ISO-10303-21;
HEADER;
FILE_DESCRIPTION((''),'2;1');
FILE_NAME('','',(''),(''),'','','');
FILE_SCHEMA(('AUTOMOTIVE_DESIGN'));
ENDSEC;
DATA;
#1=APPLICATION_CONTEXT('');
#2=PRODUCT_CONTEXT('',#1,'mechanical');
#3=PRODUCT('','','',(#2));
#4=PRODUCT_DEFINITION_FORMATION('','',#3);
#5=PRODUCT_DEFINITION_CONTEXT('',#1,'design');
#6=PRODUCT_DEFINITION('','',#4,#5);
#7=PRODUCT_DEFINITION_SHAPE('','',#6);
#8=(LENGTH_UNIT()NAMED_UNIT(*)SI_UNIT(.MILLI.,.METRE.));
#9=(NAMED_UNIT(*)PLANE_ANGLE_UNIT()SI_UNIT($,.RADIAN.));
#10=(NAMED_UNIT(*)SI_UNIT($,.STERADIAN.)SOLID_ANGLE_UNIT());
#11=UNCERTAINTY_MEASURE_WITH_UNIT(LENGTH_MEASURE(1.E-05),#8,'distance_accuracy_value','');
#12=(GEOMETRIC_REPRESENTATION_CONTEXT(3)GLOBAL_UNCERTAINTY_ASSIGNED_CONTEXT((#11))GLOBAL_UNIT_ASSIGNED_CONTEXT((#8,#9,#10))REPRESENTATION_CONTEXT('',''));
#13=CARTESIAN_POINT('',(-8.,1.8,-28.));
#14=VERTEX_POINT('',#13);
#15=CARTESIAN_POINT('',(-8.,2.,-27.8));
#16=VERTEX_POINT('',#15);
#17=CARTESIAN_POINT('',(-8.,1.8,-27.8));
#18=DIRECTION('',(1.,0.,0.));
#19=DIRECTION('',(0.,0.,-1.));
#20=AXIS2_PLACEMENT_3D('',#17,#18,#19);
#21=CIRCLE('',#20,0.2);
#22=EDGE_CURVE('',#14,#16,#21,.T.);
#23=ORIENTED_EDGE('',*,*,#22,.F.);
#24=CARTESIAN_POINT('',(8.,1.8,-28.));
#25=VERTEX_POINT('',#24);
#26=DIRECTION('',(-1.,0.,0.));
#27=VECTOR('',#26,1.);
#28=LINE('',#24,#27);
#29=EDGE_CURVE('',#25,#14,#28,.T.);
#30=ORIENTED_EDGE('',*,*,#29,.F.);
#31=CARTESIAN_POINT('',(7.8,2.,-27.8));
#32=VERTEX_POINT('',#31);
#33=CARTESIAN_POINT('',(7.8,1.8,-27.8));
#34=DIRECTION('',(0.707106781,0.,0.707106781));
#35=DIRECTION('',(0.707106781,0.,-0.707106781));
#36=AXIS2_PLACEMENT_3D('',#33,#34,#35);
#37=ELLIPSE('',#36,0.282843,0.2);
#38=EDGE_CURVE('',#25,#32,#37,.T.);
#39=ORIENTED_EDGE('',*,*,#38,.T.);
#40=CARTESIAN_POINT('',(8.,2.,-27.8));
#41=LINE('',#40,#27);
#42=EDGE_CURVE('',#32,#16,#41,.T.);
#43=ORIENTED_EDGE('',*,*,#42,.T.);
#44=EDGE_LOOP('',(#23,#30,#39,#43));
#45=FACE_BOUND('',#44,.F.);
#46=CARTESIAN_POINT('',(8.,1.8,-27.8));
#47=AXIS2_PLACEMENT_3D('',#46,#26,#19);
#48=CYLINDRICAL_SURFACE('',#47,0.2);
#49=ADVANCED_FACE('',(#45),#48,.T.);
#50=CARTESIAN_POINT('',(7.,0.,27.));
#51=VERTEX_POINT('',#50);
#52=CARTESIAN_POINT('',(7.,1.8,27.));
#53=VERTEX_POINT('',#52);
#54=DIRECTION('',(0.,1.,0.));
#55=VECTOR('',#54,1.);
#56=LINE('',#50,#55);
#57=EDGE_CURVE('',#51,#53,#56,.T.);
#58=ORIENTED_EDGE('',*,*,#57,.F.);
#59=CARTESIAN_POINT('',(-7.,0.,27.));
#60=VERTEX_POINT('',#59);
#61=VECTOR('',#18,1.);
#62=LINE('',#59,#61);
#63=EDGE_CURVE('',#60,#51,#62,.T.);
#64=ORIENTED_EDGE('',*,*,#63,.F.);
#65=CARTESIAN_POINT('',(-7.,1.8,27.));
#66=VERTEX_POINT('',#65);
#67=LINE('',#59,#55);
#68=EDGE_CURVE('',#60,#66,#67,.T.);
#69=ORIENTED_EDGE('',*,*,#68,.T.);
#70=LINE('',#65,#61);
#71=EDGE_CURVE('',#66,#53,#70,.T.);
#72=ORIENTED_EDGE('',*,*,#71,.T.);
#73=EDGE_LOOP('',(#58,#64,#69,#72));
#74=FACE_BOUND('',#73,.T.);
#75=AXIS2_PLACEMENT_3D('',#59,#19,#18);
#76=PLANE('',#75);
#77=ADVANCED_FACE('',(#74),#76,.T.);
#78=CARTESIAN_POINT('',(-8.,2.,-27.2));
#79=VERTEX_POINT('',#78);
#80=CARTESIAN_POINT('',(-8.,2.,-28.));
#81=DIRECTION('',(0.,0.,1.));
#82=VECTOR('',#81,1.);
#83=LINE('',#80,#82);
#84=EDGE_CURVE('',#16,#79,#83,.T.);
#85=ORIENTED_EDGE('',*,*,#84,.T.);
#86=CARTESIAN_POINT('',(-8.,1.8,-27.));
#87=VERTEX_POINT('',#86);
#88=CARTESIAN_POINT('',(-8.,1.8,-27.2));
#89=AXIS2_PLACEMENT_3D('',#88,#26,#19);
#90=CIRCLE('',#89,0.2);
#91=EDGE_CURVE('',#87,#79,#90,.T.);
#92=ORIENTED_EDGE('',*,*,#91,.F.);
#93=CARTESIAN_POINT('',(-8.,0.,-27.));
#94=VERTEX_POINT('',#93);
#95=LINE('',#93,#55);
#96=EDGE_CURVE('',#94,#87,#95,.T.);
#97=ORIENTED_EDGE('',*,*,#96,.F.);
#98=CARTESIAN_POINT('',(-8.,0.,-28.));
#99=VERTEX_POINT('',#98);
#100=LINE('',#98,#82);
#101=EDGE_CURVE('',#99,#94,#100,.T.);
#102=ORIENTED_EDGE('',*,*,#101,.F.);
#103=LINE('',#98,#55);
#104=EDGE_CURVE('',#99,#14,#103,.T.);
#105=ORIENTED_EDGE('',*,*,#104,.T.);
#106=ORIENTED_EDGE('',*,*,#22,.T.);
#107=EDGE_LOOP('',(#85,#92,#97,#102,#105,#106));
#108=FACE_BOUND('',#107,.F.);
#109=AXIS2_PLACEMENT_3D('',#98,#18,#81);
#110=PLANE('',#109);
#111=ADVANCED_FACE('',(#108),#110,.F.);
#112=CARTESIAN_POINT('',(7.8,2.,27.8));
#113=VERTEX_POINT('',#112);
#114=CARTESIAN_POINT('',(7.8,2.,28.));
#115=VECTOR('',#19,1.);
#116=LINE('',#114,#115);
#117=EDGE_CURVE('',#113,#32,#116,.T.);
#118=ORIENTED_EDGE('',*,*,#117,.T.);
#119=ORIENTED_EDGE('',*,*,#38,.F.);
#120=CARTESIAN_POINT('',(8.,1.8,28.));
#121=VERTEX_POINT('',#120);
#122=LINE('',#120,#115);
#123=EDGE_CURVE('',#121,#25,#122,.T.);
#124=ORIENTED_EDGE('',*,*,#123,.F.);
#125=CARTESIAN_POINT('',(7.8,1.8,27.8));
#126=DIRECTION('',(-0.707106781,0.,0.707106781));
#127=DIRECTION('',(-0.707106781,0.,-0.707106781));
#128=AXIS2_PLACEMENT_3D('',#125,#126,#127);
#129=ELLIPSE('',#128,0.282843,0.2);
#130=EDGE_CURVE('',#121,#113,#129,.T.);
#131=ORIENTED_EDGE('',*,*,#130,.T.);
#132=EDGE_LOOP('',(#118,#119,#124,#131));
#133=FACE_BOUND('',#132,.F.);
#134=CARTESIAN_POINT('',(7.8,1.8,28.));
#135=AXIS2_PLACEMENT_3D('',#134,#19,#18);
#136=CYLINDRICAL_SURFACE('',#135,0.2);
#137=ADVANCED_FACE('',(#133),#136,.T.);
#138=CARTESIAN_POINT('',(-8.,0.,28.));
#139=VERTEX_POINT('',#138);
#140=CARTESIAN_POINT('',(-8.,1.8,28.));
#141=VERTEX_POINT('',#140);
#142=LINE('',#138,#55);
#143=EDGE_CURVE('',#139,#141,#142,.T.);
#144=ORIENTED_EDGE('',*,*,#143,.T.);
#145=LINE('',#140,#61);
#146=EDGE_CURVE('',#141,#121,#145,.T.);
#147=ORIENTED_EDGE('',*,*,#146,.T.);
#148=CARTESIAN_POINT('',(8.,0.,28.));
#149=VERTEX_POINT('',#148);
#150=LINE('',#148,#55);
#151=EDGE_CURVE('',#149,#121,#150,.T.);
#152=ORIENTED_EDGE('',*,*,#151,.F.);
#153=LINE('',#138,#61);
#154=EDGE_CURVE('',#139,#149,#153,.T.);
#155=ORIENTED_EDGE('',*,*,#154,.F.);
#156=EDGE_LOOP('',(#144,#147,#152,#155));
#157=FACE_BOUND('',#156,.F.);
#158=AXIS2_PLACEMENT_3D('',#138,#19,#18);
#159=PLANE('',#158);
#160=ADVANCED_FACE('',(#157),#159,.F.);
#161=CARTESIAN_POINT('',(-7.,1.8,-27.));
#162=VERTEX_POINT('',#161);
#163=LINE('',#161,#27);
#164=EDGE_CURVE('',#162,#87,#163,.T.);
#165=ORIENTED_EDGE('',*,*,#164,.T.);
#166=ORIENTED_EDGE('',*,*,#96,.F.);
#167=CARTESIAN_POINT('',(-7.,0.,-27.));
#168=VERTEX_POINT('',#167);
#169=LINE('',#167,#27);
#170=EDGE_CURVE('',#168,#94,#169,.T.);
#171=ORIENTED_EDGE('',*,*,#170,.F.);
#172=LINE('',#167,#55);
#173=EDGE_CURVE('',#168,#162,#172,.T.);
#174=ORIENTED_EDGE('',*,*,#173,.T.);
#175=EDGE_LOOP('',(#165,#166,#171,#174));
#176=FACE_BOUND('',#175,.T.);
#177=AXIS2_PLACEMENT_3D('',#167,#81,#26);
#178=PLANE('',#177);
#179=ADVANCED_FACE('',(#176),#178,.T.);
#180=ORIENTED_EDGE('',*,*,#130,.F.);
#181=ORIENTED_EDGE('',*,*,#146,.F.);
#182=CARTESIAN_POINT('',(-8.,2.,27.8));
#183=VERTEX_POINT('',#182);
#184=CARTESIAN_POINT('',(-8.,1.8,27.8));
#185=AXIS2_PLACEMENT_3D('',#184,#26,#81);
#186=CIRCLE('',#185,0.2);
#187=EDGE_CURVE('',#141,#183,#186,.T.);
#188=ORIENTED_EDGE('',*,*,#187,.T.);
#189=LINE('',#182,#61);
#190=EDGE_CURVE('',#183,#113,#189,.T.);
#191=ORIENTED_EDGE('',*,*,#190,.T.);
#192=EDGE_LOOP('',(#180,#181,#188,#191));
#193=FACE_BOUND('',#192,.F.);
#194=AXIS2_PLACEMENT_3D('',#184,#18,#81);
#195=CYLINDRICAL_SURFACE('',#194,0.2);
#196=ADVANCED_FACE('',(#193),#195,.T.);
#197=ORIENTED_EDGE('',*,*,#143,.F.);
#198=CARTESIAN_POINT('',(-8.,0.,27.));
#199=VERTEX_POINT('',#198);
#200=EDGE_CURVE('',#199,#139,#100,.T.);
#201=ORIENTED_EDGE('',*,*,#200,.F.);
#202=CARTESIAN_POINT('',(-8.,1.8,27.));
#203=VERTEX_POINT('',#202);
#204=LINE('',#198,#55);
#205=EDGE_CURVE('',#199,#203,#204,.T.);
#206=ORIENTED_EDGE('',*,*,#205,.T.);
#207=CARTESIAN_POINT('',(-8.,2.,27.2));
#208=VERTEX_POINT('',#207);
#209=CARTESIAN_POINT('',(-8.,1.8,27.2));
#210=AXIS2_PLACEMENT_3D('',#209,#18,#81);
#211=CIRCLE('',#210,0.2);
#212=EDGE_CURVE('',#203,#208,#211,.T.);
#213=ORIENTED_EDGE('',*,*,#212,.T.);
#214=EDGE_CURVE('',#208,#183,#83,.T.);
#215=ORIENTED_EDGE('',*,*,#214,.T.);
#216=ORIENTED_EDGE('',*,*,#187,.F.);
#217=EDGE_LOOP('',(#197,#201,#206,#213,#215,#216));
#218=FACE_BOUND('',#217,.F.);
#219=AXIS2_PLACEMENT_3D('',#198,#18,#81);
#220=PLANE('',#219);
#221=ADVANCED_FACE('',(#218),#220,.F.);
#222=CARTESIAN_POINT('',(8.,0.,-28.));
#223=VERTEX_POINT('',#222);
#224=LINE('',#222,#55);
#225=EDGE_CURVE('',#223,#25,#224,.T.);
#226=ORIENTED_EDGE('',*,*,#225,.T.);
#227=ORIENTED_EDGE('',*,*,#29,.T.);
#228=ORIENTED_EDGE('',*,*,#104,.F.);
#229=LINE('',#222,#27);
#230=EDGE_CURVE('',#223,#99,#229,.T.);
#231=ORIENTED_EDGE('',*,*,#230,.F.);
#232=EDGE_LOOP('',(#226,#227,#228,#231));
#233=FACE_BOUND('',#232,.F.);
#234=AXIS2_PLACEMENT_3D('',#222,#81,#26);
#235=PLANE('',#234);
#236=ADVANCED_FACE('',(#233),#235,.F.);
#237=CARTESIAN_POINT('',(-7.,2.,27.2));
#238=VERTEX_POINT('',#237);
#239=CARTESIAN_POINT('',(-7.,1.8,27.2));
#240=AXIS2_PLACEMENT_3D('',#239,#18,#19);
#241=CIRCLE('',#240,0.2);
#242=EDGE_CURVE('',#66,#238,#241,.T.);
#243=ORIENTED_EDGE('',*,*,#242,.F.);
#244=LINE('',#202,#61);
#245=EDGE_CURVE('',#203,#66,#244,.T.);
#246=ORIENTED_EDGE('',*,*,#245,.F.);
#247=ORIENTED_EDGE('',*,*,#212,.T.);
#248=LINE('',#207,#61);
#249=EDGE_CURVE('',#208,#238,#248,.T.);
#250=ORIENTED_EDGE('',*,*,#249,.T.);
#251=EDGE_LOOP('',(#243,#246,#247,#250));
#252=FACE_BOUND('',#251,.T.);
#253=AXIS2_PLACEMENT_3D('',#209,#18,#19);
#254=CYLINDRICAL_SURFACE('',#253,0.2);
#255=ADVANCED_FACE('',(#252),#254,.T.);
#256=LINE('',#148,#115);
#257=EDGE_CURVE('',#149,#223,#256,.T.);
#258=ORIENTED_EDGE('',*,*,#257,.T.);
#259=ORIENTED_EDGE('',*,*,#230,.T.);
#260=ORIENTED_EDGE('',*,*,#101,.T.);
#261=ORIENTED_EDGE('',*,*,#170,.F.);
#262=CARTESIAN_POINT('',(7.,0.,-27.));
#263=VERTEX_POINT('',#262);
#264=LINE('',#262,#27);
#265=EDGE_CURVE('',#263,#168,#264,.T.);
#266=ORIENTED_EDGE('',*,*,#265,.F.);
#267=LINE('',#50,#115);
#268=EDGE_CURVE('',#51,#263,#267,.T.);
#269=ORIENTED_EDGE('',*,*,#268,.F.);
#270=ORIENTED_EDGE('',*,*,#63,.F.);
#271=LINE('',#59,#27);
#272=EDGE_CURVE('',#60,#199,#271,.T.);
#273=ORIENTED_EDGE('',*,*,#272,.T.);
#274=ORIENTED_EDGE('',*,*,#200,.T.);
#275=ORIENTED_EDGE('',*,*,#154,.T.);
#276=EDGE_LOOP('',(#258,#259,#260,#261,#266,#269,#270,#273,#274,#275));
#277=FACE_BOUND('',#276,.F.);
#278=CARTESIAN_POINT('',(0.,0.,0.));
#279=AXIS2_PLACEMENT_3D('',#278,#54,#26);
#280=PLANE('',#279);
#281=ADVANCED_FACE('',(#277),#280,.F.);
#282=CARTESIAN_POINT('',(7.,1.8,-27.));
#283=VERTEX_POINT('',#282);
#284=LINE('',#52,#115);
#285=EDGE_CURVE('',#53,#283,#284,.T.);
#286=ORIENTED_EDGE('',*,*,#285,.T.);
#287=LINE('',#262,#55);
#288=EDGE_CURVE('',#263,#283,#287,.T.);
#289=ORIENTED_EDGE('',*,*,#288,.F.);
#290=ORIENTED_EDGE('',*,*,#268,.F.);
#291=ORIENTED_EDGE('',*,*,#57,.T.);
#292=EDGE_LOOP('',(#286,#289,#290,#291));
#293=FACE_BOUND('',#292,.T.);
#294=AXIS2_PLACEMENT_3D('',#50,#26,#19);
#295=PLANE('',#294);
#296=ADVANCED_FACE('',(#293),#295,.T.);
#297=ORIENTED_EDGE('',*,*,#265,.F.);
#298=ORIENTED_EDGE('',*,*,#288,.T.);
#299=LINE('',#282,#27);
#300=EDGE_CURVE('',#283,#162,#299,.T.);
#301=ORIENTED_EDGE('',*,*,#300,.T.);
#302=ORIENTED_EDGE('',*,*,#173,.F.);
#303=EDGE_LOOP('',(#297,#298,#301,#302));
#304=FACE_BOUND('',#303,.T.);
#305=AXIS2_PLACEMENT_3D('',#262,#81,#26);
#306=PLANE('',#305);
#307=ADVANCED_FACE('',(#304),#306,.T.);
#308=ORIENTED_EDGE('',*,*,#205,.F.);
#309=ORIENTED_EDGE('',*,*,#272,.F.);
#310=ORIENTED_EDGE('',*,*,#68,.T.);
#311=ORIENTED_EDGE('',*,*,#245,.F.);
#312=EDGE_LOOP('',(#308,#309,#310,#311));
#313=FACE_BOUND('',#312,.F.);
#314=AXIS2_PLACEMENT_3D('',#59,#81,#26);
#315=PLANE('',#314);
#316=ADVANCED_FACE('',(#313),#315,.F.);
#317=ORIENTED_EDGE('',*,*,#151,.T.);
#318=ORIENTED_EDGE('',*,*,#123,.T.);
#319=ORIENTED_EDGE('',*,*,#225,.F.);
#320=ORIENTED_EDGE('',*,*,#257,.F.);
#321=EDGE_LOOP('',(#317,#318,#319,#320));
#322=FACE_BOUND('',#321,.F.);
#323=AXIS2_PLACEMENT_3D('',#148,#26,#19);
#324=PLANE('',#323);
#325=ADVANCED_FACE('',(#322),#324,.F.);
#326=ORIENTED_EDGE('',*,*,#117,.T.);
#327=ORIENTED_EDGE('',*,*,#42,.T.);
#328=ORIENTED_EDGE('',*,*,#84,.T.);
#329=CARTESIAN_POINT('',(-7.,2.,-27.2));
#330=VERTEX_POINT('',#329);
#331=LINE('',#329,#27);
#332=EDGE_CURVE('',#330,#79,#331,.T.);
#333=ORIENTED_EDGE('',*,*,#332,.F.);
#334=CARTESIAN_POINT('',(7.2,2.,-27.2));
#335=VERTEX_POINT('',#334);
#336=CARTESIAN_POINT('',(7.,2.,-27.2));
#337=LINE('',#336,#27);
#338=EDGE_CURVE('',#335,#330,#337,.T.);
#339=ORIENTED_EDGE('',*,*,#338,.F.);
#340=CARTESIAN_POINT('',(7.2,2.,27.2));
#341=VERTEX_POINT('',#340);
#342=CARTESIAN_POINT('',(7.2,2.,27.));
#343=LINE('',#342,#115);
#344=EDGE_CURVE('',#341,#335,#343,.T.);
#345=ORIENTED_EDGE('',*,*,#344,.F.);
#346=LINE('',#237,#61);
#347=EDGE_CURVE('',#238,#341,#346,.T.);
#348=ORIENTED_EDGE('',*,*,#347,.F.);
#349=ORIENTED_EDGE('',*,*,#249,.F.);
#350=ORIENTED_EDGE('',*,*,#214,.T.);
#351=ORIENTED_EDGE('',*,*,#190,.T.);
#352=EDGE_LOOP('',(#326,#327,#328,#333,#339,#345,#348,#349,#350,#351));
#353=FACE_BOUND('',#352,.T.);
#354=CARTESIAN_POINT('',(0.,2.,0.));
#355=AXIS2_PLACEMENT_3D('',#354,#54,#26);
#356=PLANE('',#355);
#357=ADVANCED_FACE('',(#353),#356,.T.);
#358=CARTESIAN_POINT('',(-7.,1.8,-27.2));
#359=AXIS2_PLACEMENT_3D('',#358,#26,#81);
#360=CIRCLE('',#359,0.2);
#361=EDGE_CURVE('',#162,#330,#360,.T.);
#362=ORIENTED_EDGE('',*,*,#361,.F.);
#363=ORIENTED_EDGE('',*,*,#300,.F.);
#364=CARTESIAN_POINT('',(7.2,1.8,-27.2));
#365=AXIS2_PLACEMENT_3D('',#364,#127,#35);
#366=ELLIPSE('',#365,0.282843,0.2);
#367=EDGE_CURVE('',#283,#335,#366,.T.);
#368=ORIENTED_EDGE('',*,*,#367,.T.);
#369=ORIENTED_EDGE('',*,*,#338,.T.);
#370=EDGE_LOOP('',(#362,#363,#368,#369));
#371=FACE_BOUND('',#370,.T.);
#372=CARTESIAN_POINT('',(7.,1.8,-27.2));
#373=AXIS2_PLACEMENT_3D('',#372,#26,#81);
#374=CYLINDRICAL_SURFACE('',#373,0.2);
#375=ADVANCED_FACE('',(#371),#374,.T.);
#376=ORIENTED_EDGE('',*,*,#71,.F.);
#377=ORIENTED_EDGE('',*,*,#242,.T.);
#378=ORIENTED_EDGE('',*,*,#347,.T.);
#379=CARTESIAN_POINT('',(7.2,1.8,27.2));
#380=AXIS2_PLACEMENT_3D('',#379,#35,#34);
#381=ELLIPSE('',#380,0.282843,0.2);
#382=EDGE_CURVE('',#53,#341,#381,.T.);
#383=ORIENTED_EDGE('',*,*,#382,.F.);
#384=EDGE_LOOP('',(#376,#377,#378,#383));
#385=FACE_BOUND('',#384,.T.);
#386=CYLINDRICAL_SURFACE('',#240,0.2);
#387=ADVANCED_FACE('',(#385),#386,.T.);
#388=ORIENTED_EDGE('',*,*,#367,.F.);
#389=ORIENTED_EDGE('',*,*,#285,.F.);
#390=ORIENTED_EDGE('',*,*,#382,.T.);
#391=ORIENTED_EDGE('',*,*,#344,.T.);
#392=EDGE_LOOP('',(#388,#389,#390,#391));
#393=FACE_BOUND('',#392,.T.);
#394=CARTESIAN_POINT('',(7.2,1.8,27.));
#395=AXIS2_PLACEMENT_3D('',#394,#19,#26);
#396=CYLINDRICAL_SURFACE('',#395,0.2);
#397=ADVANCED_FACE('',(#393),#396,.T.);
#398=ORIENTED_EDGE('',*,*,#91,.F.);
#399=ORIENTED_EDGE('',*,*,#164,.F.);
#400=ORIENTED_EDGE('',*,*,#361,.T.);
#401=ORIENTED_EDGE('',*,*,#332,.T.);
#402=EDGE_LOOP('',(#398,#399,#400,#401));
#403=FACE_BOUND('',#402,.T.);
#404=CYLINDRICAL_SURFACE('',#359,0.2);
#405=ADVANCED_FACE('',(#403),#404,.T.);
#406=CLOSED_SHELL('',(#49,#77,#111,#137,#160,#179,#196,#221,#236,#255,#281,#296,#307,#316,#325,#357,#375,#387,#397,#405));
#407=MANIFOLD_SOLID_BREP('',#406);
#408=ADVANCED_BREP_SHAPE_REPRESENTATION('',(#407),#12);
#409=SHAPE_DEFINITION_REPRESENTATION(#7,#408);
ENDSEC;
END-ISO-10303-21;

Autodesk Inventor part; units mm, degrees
ref_plane "YZ Plane" through (0, 0, 0) normal (1, 0, 0) x (0, 1, 0)
ref_plane "XZ Plane" through (0, 0, 0) normal (0, 1, 0) x (-1, 0, 0)
ref_plane "XY Plane" through (0, 0, 0) normal (0, 0, 1) x (1, 0, 0)
sketch "草圖1" plane through (0, 0, 0) normal (0, 1, 0) x (-1, 0, 0)
  line L0 (-8, 28) -> (-8, -28)
  line L1 (-8, -28) -> (8, -28)
  line L2 (8, -28) -> (8, 28)
  line L3 (8, 28) -> (-8, 28)
  line L4 (-8, 28) -> (8, -28) construction
  line L5 (-8, -28) -> (8, 28) construction
  line L6 (-7, 27) -> (-7, -27)
  line L7 (-7, -27) -> (7, -27)
  line L8 (7, -27) -> (7, 27)
  line L9 (7, 27) -> (-7, 27)
  line L10 (-7, 27) -> (7, -27) construction
  line L11 (-7, -27) -> (7, 27) construction
  line L12 (7, 27) -> (8, 27)
  line L13 (7, -27) -> (8, -27)
  point P0 (0, 0)
  dimension "d0" = 56
  dimension "d1" = 16
  dimension "d2" = 54
  dimension "d3" = 14
extrude "擠出1" add sketch "草圖1" along normal blind 2 contours L3 L2 L12 L9 L6 L7 L13 L1 L0
fillet "圓角1" radius 0.2 6 edges at (0, 2, 27) (7, 2, 0) (8, 2, 0) (0, 2, 28) (0, 2, -27) (0, 2, -28)
properties part number "矮牆"
